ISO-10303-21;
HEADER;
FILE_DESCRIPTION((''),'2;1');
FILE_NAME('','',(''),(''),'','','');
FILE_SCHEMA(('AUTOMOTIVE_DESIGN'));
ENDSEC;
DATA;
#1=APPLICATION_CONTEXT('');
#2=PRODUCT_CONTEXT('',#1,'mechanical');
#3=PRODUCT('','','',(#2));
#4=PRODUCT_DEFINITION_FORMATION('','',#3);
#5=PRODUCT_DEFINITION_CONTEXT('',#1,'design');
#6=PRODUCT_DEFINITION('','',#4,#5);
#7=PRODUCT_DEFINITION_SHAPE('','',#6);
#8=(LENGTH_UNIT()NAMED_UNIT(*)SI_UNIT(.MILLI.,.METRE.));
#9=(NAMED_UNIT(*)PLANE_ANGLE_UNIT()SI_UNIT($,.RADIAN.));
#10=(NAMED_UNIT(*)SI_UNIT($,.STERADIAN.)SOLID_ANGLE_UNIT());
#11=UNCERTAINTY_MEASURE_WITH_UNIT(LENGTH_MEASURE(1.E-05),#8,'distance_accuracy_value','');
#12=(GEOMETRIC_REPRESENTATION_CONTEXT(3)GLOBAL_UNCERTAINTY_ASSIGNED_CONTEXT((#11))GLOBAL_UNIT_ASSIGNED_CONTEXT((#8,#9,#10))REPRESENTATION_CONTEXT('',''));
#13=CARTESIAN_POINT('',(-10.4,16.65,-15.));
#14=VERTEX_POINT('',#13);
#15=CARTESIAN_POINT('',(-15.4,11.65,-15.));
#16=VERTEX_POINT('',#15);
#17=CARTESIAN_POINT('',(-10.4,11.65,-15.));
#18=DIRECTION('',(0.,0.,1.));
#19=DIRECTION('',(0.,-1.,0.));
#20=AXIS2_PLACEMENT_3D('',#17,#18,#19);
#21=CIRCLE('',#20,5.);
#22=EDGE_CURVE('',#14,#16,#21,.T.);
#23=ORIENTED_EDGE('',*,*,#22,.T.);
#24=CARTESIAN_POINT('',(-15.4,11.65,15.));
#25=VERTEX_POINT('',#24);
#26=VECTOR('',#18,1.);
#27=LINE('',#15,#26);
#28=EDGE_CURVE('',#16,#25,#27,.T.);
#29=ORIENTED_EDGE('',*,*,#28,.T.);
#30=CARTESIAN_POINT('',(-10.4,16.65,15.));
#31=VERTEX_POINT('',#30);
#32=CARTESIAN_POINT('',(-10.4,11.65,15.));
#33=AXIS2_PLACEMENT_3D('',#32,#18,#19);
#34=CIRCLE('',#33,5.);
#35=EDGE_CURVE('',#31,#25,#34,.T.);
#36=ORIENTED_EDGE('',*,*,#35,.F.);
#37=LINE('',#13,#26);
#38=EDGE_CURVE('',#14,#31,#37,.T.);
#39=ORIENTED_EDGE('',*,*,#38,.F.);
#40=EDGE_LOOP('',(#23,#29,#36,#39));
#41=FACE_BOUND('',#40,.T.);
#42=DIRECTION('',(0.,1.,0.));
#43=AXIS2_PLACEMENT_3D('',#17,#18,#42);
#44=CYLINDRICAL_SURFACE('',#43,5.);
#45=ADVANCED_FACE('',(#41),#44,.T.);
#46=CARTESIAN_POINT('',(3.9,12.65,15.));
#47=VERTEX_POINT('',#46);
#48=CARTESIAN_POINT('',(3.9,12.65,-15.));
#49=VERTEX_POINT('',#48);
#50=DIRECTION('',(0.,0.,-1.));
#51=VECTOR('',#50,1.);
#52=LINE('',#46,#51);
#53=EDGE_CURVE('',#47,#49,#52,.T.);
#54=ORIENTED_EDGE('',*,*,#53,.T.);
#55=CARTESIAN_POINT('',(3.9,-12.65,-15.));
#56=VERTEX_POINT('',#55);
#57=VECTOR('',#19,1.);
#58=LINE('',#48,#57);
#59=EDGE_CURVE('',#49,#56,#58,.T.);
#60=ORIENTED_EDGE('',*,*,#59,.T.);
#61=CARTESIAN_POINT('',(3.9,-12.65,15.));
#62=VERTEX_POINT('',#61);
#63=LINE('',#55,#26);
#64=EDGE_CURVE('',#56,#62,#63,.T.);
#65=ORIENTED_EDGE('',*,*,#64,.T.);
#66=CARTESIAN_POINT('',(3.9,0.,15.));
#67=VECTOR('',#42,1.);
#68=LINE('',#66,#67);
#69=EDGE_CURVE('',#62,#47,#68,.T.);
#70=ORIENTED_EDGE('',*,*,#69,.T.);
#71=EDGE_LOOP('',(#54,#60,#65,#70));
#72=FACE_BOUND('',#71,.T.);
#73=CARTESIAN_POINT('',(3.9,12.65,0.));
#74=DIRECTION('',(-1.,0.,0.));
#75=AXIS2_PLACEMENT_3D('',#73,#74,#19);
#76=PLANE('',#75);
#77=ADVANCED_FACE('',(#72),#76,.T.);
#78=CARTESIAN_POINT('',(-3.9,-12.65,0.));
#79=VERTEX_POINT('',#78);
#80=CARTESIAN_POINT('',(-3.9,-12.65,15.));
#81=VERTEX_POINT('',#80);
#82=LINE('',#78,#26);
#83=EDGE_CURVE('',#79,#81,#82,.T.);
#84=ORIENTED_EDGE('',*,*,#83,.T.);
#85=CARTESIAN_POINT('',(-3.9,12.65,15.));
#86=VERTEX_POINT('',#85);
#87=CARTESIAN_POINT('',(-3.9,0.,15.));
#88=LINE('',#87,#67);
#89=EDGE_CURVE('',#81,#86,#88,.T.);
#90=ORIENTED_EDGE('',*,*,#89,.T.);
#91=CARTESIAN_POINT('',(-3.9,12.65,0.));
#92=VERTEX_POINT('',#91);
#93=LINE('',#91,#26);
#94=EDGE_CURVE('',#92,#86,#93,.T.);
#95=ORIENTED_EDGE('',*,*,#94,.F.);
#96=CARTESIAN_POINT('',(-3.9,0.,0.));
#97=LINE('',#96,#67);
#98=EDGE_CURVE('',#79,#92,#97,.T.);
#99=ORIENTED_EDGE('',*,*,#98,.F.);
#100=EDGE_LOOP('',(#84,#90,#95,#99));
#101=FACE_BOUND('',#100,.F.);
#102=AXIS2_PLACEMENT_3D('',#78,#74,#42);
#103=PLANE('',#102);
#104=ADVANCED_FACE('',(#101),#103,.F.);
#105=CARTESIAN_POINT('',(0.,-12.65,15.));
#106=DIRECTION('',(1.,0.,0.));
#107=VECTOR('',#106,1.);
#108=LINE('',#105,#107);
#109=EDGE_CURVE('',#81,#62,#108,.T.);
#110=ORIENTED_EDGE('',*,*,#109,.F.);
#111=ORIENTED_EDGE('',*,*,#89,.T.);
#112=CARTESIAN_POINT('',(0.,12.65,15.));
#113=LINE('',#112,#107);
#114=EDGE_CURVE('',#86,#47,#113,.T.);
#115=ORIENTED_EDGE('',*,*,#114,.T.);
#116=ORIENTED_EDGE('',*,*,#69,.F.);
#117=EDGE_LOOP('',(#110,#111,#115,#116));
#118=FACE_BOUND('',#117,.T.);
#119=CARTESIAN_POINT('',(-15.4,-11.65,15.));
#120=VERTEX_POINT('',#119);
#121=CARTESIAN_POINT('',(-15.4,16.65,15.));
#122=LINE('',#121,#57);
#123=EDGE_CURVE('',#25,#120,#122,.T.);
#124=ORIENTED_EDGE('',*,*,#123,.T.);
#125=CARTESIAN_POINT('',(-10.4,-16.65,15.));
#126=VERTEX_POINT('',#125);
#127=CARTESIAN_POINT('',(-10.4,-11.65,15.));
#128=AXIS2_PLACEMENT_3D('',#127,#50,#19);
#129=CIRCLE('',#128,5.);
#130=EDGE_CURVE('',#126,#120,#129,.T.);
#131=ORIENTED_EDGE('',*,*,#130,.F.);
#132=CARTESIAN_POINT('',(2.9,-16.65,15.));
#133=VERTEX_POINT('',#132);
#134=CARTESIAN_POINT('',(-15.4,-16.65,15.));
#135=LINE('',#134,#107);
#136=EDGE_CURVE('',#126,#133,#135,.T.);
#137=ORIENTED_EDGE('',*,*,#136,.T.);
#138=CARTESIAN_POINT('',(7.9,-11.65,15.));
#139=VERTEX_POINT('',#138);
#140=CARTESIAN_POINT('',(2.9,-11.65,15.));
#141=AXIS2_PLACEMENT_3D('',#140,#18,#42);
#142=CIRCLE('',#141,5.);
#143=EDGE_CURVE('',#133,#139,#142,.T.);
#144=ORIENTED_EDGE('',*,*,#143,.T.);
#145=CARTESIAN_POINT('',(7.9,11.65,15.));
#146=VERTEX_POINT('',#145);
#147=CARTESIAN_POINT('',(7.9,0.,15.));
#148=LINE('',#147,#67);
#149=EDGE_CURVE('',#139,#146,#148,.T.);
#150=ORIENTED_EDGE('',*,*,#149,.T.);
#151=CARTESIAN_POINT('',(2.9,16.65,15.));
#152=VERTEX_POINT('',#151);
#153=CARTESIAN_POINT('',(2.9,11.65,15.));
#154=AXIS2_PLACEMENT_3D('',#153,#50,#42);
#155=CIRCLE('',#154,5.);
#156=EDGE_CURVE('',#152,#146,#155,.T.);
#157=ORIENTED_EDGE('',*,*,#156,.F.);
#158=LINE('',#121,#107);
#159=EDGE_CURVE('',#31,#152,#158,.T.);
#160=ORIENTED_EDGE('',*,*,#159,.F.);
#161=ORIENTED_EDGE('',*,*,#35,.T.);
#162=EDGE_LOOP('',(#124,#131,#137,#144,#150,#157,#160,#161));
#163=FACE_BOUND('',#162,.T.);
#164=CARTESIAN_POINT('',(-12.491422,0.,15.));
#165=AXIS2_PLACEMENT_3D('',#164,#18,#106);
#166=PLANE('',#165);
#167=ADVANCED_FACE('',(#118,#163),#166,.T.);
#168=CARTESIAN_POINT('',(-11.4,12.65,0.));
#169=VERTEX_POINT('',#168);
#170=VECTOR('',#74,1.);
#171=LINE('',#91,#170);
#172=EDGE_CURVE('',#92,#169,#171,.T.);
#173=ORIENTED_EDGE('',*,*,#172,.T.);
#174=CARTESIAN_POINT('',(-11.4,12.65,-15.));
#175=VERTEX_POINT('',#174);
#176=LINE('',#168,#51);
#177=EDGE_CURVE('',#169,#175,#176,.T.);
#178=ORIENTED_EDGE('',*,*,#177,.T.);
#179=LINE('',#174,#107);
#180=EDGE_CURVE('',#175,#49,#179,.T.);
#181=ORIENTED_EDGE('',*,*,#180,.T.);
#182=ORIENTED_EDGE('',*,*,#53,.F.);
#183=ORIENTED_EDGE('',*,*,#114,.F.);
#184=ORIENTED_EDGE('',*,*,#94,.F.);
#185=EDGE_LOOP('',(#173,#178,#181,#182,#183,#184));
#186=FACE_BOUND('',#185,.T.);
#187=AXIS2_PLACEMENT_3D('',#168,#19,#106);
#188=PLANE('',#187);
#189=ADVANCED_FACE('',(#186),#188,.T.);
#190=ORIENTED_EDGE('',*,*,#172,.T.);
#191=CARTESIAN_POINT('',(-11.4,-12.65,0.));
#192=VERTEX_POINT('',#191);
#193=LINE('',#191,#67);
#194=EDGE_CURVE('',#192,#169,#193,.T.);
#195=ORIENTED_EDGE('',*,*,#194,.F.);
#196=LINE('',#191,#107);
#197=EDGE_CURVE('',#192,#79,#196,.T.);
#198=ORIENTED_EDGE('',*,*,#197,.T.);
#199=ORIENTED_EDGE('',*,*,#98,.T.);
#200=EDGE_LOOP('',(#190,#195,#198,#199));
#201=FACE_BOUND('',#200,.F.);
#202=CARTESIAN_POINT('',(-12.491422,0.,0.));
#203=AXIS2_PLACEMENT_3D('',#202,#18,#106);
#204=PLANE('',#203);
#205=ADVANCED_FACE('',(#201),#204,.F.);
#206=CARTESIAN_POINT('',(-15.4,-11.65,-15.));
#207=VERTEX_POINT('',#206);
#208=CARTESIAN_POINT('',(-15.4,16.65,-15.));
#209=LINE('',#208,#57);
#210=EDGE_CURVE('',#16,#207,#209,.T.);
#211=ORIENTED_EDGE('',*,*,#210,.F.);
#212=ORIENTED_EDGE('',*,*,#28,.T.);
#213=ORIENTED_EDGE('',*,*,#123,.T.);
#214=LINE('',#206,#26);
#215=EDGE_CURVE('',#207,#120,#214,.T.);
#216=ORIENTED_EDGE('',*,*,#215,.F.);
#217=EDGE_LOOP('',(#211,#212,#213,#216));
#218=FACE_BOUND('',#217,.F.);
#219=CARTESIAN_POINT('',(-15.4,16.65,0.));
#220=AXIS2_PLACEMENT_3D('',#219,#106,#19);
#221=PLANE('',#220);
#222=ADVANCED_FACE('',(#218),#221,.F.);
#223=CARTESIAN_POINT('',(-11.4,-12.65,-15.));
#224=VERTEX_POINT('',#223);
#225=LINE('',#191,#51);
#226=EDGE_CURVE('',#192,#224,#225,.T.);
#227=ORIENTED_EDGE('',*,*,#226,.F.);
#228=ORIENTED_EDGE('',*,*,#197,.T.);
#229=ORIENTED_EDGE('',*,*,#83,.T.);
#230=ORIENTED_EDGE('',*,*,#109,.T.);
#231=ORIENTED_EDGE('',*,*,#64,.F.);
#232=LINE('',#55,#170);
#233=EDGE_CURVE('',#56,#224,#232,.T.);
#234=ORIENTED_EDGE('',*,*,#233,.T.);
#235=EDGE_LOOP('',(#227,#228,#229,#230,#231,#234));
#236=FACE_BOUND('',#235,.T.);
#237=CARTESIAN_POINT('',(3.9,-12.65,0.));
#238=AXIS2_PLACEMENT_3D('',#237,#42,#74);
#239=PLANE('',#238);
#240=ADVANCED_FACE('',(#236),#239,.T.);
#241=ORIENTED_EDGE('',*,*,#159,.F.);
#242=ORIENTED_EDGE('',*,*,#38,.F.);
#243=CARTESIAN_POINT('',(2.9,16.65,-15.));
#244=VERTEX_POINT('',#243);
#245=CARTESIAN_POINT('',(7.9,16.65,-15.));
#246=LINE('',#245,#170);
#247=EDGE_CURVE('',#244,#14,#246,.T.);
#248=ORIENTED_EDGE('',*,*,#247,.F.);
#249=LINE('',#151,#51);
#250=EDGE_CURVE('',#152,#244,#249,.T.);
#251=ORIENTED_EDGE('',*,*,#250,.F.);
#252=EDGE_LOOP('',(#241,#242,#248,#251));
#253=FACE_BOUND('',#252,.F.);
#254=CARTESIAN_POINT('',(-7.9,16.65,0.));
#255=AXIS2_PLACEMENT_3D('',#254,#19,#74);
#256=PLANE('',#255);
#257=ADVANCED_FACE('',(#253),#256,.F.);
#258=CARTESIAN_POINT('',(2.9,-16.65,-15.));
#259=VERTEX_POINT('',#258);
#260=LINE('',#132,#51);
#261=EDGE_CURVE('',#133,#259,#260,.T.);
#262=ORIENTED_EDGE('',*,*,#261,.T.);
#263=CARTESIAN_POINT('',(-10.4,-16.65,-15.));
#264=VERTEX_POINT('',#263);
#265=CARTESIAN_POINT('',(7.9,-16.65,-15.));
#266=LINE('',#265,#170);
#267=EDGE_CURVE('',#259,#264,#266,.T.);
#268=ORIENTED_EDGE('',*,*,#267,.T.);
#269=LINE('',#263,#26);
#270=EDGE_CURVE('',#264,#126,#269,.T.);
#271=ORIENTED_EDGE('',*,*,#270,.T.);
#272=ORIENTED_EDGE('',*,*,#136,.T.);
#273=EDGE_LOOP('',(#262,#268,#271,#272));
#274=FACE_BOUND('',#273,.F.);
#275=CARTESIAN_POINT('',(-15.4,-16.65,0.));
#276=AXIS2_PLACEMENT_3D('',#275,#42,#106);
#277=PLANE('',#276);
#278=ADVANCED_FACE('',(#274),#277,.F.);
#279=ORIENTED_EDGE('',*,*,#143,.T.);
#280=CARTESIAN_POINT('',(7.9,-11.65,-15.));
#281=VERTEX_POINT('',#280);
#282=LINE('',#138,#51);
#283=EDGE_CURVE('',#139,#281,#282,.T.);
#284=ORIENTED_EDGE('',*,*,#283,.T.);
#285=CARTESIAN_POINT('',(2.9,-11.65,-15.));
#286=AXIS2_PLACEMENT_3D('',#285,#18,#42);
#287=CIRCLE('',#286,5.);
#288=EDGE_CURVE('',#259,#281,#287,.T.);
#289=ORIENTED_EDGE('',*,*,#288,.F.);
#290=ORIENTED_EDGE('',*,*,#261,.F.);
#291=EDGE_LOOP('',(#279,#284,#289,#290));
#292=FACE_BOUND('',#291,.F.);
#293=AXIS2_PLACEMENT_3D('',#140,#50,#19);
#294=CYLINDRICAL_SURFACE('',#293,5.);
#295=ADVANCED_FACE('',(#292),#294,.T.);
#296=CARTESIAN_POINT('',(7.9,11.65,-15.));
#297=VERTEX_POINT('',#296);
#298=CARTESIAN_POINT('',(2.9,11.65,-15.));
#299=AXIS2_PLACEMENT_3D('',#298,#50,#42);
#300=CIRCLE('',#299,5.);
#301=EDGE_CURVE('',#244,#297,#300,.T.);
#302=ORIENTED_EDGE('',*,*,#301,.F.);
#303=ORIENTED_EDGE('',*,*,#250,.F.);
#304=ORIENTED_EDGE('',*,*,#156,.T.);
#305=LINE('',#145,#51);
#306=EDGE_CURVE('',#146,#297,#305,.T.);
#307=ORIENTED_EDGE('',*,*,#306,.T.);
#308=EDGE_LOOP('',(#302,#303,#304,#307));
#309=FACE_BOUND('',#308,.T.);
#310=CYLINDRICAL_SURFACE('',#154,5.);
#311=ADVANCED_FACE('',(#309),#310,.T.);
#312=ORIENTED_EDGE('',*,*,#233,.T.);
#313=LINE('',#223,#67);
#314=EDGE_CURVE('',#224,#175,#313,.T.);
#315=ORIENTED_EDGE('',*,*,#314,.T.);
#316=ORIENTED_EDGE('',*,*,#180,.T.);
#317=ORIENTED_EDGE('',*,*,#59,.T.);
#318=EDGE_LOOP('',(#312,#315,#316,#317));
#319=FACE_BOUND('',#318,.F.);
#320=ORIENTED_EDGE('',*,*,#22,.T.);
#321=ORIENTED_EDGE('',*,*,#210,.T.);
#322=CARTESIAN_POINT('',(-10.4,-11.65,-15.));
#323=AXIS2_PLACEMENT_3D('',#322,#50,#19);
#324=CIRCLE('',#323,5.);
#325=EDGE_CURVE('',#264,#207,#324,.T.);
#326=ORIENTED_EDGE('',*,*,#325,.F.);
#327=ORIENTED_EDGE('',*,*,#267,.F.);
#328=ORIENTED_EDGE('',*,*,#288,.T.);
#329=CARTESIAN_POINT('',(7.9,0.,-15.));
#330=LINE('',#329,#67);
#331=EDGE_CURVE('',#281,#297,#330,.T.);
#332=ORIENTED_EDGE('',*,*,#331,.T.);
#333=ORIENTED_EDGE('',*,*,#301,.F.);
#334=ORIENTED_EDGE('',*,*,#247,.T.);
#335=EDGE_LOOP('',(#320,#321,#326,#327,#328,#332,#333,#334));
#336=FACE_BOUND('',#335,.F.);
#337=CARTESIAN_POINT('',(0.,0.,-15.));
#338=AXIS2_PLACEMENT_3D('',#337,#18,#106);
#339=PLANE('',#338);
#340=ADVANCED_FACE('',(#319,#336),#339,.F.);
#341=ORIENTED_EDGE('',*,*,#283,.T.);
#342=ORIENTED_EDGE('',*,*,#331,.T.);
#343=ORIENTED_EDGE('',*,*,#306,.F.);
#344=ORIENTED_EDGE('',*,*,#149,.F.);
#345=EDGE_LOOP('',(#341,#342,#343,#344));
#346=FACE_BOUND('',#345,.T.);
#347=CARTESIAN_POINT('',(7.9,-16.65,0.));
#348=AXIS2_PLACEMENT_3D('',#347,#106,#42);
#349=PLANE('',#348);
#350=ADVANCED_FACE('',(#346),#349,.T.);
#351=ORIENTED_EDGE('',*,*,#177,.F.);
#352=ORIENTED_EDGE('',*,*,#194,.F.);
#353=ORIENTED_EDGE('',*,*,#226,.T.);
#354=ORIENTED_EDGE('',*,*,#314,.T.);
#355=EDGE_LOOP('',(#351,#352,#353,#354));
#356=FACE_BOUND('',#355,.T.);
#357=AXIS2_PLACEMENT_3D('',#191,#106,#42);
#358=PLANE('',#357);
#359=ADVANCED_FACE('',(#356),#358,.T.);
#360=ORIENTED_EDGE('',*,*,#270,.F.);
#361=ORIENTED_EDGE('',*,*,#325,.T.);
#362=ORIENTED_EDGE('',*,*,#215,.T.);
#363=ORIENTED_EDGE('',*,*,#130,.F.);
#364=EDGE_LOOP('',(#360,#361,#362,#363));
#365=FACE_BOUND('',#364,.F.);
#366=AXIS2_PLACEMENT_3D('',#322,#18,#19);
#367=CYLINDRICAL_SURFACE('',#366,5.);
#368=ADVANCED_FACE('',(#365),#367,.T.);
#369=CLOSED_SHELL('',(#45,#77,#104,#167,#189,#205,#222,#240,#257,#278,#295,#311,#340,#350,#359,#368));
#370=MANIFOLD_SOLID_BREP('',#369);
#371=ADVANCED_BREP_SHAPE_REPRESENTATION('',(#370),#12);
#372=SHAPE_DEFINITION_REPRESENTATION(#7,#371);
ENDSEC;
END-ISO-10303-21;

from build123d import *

# Parameters (mm, degrees)
F0_W     = 15.8
F0_H     = 33.3
F0_W_2   = 7.8
F0_H_2   = 25.3
F1_DEPTH = 15
F3_DEPTH = 15
F4_DEPTH = 15
F2_W     = 3.5
F2_H     = 25.3
F5_DEPTH = 15
F6_R     = 5


with BuildPart() as f1:
    # F0 (on Top) → F1 (new body)
    with BuildSketch(Plane.XY):
        Rectangle(F0_W, F0_H)
        Rectangle(F0_W_2, F0_H_2, mode=Mode.SUBTRACT)
    extrude(amount=F1_DEPTH)

    # F2 (on Top) → F3 (join)
    with BuildSketch(Plane.XY):
        Polygon((3.9, 12.65), (3.9, -12.65), (-7.9, -12.65), (-7.9, -16.65), (5.9, -16.65), (5.9, 16.65), (-7.9, 16.65), (-7.9, 12.65), align=None)
        Polygon((-7.9, -16.65), (-7.9, -12.65), (-11.4, -12.65), (-11.4, 12.65), (-7.9, 12.65), (-7.9, 16.65), (-15.4, 16.65), (-15.4, -16.65), align=None)
    extrude(amount=-F3_DEPTH)

    # F4 (add, through all): a face of the model
    f4_faces = [f1.faces().sort_by_distance(p)[0] for p in [
        (6.9, 0, 0),
    ]]
    extrude(f4_faces, amount=F4_DEPTH)

    # F2 (on Top) → F5 (join, through all)
    with BuildSketch(Plane.XY):
        Polygon((-7.9, -16.65), (-7.9, -12.65), (-11.4, -12.65), (-11.4, 12.65), (-7.9, 12.65), (-7.9, 16.65), (-15.4, 16.65), (-15.4, -16.65), align=None)
        with Locations((-9.65, 0)):
            Rectangle(F2_W, F2_H)
    extrude(amount=F5_DEPTH)

    # F6
    f6_edges = [f1.edges().sort_by_distance(p)[0] for p in [
        (-15.4, -16.65, 0),
        (-15.4, 16.65, 0),
        (7.9, 16.65, 0),
        (7.9, -16.65, 0),
    ]]
    fillet(f6_edges, radius=F6_R)


solid = f1.part
